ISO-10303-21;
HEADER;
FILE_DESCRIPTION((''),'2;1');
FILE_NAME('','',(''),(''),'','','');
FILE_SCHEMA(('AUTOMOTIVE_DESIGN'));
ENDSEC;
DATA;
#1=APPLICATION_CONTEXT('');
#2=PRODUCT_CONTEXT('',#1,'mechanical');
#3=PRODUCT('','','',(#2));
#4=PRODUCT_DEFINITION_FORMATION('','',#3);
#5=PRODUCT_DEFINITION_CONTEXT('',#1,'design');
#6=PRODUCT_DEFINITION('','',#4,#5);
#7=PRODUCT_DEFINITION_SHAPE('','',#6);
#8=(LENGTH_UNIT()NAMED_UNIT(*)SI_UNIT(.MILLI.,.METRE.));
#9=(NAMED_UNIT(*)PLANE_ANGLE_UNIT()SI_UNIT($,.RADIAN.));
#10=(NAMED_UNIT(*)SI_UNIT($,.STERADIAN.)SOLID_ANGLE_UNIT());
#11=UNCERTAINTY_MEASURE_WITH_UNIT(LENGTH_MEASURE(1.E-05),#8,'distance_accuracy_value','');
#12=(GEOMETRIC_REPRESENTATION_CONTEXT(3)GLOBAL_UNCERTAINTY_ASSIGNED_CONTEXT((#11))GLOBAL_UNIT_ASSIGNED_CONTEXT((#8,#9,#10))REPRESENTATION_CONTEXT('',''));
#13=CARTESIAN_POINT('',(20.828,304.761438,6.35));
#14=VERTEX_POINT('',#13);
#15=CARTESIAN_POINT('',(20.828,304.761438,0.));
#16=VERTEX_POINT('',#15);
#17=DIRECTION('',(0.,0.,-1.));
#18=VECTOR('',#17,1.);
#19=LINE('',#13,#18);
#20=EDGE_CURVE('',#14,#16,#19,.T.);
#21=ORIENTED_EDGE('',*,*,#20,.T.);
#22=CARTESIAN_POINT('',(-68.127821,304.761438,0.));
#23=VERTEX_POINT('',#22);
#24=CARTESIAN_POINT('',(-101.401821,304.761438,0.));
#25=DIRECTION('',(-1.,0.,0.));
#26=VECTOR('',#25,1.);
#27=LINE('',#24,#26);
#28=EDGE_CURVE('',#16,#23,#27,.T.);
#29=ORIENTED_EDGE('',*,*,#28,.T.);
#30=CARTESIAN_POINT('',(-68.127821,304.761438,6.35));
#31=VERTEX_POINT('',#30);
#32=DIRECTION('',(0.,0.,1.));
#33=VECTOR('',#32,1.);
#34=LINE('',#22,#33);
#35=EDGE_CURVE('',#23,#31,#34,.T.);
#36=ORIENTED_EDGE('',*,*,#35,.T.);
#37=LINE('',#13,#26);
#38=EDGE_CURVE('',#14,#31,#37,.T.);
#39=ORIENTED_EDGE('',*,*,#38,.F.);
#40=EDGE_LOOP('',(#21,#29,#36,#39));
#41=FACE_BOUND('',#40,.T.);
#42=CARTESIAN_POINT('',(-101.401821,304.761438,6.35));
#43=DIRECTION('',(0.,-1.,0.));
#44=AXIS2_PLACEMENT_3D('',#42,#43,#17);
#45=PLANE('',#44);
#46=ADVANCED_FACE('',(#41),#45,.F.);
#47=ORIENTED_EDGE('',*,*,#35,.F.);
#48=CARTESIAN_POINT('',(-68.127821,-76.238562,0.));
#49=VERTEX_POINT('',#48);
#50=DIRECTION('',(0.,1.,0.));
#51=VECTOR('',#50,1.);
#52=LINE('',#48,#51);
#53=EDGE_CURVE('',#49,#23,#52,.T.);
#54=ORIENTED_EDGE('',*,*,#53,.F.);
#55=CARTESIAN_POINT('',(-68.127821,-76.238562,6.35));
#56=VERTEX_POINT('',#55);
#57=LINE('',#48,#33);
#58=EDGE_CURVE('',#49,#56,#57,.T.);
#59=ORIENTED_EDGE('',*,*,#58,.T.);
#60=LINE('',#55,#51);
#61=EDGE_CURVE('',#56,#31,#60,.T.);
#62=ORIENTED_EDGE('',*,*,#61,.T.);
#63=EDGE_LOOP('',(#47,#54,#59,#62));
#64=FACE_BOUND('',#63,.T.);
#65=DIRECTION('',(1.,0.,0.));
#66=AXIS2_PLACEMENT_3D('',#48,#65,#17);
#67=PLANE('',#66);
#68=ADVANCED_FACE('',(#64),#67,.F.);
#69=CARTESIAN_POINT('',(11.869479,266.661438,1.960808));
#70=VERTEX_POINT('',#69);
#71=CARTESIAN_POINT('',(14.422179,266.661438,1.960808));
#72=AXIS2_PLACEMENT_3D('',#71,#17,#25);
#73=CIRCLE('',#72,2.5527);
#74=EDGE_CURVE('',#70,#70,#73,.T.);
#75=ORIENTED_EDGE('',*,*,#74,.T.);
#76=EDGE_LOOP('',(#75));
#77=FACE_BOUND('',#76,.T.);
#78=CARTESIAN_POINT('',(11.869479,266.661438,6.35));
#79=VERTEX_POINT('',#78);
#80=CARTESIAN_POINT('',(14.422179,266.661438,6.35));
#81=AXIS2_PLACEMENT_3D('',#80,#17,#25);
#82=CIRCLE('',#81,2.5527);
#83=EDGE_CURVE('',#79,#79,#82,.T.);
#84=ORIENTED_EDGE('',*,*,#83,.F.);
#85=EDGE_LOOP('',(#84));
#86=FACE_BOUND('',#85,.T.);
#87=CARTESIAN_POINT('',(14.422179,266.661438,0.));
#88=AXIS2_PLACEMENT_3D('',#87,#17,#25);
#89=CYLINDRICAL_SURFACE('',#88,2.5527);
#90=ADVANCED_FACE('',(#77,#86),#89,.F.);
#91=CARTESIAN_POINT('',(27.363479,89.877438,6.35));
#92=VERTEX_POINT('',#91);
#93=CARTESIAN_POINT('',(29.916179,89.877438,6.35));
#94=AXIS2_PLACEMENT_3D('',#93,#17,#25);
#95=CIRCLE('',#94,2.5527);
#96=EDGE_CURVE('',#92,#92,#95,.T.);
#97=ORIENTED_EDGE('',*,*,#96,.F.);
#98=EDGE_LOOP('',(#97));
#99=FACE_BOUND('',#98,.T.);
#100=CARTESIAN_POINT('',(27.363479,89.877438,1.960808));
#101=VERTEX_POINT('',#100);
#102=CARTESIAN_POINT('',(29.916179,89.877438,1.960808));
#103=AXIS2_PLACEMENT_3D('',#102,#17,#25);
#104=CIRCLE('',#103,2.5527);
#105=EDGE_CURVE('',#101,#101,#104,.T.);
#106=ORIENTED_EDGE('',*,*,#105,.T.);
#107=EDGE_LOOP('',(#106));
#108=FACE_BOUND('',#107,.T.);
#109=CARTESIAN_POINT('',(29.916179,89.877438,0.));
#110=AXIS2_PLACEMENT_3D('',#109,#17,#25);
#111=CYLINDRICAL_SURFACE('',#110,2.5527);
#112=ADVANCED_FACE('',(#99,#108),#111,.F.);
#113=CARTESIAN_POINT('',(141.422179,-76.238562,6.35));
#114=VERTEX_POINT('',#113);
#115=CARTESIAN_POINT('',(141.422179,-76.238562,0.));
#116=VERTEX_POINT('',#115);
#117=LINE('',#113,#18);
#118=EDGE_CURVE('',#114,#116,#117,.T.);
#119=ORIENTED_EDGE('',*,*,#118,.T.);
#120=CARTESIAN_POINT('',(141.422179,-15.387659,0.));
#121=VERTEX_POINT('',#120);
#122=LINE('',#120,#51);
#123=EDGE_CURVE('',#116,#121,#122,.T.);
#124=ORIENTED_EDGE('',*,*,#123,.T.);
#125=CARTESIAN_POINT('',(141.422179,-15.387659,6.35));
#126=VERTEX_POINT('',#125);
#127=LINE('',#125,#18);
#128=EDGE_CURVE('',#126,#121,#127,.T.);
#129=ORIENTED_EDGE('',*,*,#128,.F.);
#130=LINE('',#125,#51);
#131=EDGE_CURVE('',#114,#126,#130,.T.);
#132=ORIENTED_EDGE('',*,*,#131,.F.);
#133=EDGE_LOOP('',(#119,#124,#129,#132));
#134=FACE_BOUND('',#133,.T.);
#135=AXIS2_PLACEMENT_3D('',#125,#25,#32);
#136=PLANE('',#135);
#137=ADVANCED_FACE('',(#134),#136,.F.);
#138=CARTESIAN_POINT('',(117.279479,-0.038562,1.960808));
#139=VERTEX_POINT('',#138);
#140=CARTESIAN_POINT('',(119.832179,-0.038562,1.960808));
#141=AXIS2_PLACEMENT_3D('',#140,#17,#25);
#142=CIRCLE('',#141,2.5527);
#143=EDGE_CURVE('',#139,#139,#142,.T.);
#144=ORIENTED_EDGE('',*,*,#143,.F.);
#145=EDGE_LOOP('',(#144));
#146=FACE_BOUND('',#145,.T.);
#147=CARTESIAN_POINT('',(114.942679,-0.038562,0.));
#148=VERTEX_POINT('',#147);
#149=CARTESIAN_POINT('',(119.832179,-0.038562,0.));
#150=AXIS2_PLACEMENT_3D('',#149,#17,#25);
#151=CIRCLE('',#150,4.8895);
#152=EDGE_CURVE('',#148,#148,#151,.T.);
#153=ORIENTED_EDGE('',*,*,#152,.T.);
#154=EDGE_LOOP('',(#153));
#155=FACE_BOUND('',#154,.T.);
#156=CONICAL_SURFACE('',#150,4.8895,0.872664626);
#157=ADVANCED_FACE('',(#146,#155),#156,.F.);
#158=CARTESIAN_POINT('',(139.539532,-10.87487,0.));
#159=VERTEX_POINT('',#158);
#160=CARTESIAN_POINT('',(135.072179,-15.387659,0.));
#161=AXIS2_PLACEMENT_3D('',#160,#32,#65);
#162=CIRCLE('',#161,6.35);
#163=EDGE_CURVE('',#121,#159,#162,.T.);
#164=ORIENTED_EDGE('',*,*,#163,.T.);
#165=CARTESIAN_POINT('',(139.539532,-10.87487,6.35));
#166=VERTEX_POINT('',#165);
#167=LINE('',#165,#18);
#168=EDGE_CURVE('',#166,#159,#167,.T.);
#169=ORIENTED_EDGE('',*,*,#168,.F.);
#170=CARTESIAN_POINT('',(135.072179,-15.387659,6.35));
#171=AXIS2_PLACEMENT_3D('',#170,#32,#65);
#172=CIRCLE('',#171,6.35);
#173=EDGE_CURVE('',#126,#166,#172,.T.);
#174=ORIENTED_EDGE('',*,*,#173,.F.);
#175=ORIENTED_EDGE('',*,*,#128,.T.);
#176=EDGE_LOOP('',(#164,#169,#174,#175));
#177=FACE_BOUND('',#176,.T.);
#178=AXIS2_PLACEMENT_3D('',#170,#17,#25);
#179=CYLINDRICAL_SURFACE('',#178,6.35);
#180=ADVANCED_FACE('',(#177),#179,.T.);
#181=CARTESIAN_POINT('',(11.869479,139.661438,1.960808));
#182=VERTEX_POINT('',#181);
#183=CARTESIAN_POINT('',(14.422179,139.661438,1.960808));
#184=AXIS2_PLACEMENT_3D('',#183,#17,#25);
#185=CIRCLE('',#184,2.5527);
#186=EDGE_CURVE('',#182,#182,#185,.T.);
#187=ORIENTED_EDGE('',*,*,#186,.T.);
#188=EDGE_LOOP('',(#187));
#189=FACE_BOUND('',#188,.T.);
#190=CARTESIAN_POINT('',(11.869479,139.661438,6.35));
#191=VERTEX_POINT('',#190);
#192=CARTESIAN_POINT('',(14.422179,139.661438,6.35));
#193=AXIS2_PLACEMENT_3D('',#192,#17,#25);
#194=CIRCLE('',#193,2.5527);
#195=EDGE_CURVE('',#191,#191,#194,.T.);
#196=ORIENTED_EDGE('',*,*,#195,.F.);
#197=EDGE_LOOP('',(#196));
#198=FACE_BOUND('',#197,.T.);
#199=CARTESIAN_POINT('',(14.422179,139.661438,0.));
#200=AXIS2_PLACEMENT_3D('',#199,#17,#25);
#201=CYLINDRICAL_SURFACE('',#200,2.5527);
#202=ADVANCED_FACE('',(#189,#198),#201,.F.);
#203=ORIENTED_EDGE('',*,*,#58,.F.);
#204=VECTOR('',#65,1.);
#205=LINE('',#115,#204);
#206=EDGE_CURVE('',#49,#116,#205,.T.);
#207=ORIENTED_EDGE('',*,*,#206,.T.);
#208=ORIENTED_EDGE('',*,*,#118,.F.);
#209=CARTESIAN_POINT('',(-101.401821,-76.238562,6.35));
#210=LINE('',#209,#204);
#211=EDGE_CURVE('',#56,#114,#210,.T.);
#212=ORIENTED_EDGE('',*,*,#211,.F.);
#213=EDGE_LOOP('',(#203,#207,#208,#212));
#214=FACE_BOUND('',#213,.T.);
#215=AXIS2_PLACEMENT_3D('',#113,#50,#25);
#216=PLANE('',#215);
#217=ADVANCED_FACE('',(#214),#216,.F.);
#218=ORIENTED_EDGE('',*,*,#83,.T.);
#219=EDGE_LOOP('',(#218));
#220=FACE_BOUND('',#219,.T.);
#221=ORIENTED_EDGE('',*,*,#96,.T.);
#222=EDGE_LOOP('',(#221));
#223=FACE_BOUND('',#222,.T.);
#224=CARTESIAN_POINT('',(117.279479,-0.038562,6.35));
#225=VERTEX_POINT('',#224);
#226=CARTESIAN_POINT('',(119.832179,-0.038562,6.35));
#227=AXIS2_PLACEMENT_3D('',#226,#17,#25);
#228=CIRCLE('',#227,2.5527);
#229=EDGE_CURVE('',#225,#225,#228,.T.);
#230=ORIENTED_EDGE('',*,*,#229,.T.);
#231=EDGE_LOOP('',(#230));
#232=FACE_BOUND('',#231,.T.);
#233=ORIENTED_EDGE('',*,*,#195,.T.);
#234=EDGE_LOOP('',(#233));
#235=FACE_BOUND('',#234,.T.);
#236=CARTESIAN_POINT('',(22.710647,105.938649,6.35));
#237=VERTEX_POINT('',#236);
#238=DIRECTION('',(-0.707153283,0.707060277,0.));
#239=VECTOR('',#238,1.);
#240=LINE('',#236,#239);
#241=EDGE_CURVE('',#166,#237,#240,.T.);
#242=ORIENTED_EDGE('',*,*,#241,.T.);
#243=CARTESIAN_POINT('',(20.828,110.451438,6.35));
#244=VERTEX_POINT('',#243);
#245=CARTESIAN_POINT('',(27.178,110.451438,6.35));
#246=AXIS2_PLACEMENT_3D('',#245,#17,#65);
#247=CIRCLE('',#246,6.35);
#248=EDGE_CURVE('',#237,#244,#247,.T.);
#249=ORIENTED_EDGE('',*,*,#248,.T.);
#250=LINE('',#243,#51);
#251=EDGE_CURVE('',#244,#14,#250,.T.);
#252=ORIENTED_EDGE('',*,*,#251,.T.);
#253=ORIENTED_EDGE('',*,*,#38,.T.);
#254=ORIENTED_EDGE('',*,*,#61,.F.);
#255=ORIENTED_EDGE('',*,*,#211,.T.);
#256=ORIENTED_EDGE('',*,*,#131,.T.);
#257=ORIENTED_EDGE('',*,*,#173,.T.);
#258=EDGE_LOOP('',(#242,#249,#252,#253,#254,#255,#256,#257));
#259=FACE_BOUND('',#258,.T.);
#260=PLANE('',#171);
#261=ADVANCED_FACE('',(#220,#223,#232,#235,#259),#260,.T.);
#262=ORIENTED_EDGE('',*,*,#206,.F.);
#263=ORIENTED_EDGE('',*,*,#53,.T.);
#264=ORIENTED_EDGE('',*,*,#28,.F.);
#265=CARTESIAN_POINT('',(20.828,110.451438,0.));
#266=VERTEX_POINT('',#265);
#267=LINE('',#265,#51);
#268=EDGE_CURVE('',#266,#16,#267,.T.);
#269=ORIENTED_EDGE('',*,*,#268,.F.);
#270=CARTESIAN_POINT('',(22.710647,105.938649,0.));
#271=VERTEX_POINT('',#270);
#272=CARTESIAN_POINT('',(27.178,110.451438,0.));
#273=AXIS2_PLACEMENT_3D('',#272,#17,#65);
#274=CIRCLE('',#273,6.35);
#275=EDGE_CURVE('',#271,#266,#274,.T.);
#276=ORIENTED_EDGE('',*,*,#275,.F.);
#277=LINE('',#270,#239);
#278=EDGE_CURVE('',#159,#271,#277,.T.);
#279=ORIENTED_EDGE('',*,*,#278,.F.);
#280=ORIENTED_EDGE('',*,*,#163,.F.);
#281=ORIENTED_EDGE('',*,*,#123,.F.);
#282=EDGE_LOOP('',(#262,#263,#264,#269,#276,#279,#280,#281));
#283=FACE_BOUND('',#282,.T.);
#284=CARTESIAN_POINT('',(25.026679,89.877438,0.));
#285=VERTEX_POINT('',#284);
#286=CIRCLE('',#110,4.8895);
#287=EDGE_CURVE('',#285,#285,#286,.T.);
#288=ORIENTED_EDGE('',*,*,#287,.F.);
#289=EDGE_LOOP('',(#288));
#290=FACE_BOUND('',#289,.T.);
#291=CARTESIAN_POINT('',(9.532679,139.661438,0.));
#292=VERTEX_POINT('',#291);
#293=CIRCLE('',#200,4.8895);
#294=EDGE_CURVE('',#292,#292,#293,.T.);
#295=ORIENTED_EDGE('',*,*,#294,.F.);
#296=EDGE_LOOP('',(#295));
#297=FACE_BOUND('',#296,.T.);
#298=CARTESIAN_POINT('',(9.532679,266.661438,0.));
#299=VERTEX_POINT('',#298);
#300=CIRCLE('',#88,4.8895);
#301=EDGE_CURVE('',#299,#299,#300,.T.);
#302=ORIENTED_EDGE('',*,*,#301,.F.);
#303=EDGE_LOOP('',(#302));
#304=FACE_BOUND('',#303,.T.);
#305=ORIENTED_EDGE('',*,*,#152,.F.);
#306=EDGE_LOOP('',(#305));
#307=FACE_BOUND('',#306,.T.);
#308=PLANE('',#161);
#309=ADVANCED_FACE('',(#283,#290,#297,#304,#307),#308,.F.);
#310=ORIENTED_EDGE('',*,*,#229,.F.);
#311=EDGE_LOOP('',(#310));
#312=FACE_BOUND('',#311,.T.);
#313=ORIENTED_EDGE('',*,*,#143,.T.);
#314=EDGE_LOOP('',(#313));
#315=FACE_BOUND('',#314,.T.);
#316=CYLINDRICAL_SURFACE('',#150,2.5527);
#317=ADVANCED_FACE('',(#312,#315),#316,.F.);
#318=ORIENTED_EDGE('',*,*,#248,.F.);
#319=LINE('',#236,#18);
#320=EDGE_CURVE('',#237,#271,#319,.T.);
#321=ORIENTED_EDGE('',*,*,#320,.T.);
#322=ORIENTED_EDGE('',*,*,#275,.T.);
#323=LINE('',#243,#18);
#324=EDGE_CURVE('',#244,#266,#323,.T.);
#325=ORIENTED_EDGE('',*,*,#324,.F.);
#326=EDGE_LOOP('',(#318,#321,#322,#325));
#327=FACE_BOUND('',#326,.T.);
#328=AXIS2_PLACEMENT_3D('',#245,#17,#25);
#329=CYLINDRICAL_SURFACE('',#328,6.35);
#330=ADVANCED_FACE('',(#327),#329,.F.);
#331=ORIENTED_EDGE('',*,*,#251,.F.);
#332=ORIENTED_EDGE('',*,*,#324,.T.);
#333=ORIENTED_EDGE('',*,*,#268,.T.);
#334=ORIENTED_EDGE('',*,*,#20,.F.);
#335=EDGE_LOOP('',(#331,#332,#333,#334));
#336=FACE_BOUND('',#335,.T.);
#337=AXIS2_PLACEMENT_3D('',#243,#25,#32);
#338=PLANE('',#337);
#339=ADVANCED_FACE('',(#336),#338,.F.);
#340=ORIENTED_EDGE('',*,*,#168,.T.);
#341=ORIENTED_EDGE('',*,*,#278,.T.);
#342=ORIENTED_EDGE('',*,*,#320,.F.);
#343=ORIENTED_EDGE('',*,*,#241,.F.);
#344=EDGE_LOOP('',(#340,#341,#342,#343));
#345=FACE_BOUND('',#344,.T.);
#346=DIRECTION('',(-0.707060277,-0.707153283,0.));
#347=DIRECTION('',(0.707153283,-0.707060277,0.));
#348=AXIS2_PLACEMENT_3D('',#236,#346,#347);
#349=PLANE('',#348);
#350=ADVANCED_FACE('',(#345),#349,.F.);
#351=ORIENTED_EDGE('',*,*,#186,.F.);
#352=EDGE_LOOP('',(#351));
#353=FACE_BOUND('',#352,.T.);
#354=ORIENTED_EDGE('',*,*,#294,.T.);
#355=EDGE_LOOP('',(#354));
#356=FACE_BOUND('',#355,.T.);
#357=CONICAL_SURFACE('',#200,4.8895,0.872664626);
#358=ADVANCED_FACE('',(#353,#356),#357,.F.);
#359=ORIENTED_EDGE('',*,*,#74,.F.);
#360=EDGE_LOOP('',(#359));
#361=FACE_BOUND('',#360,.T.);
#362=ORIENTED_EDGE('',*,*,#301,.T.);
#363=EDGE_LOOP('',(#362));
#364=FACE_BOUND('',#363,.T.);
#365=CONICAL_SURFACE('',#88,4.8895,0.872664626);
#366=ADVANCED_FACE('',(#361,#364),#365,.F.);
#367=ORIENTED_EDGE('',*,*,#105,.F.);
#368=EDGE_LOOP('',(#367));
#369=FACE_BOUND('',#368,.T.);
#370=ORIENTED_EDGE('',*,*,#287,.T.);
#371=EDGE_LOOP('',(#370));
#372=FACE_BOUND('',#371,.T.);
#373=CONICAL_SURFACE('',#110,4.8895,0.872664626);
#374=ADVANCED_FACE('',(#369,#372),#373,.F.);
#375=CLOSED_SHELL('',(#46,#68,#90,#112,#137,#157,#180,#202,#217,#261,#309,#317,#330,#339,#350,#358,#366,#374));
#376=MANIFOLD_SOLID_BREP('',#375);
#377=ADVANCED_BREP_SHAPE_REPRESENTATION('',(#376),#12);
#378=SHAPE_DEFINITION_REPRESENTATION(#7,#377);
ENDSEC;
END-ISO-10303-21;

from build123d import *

# Parameters (mm, degrees)
BOSS_EXTRUDE1_DEPTH                                = 6.35
SKETCH2_W                                          = 33.274
SKETCH2_H                                          = 381
CUT_EXTRUDE1_DEPTH                                 = 7.35
CSK_FOR_10_FLAT_HEAD_MACHINE_SCREW_100_D           = 5.1054
CSK_FOR_10_FLAT_HEAD_MACHINE_SCREW_100_CSINK_D     = 9.779
CSK_FOR_10_FLAT_HEAD_MACHINE_SCREW_100_CSINK_ANGLE = 100


with BuildPart() as part:
    # Sketch1 → Boss-Extrude1 (new body)
    with BuildSketch(Plane.XY):
        with BuildLine():
            Line((141.422179454, -15.387658672), (141.422179454, -76.238562419))
            Line((141.422179454, -76.238562419), (133.548179454, -76.238562419))
            Line((133.548179454, -76.238562419), (-101.401820546, -76.238562419))
            Line((-101.401820546, -76.238562419), (-101.401820546, 304.761437581))
            Line((-101.401820546, 304.761437581), (0, 304.761437581))
            Line((0, 304.761437581), (20.828, 304.761437581))
            Line((20.828, 304.761437581), (20.828, 110.451437581))
            ThreePointArc((20.828, 110.451437581), (21.317531228, 108.006564216), (22.710647487, 105.938648918))
            Line((22.710647487, 105.938648918), (139.539531967, -10.874870008))
            ThreePointArc((139.539531967, -10.874870008), (140.932648226, -12.942785307), (141.422179454, -15.387658672))
        make_face()
    extrude(amount=BOSS_EXTRUDE1_DEPTH)

    # Sketch2 → Cut-Extrude1 (cut, through all)
    with BuildSketch(Plane.XY.offset(6.35)):
        with Locations((-84.764820546, 114.261437581)):
            Rectangle(SKETCH2_W, SKETCH2_H)
    extrude(amount=-CUT_EXTRUDE1_DEPTH, mode=Mode.SUBTRACT)

    # CSK for #10 Flat Head Machine Screw (100)1 (through all)
    with Locations(Plane(origin=(119.832179454, -0.038562419, 0), x_dir=(-1, 0, 0), z_dir=(0, 0, -1))):
        with Locations((0, 0), (89.916, 89.916), (105.41, 139.7), (105.41, 266.7)):
            CounterSinkHole(CSK_FOR_10_FLAT_HEAD_MACHINE_SCREW_100_D / 2, CSK_FOR_10_FLAT_HEAD_MACHINE_SCREW_100_CSINK_D / 2, counter_sink_angle=CSK_FOR_10_FLAT_HEAD_MACHINE_SCREW_100_CSINK_ANGLE)


solid = part.part
